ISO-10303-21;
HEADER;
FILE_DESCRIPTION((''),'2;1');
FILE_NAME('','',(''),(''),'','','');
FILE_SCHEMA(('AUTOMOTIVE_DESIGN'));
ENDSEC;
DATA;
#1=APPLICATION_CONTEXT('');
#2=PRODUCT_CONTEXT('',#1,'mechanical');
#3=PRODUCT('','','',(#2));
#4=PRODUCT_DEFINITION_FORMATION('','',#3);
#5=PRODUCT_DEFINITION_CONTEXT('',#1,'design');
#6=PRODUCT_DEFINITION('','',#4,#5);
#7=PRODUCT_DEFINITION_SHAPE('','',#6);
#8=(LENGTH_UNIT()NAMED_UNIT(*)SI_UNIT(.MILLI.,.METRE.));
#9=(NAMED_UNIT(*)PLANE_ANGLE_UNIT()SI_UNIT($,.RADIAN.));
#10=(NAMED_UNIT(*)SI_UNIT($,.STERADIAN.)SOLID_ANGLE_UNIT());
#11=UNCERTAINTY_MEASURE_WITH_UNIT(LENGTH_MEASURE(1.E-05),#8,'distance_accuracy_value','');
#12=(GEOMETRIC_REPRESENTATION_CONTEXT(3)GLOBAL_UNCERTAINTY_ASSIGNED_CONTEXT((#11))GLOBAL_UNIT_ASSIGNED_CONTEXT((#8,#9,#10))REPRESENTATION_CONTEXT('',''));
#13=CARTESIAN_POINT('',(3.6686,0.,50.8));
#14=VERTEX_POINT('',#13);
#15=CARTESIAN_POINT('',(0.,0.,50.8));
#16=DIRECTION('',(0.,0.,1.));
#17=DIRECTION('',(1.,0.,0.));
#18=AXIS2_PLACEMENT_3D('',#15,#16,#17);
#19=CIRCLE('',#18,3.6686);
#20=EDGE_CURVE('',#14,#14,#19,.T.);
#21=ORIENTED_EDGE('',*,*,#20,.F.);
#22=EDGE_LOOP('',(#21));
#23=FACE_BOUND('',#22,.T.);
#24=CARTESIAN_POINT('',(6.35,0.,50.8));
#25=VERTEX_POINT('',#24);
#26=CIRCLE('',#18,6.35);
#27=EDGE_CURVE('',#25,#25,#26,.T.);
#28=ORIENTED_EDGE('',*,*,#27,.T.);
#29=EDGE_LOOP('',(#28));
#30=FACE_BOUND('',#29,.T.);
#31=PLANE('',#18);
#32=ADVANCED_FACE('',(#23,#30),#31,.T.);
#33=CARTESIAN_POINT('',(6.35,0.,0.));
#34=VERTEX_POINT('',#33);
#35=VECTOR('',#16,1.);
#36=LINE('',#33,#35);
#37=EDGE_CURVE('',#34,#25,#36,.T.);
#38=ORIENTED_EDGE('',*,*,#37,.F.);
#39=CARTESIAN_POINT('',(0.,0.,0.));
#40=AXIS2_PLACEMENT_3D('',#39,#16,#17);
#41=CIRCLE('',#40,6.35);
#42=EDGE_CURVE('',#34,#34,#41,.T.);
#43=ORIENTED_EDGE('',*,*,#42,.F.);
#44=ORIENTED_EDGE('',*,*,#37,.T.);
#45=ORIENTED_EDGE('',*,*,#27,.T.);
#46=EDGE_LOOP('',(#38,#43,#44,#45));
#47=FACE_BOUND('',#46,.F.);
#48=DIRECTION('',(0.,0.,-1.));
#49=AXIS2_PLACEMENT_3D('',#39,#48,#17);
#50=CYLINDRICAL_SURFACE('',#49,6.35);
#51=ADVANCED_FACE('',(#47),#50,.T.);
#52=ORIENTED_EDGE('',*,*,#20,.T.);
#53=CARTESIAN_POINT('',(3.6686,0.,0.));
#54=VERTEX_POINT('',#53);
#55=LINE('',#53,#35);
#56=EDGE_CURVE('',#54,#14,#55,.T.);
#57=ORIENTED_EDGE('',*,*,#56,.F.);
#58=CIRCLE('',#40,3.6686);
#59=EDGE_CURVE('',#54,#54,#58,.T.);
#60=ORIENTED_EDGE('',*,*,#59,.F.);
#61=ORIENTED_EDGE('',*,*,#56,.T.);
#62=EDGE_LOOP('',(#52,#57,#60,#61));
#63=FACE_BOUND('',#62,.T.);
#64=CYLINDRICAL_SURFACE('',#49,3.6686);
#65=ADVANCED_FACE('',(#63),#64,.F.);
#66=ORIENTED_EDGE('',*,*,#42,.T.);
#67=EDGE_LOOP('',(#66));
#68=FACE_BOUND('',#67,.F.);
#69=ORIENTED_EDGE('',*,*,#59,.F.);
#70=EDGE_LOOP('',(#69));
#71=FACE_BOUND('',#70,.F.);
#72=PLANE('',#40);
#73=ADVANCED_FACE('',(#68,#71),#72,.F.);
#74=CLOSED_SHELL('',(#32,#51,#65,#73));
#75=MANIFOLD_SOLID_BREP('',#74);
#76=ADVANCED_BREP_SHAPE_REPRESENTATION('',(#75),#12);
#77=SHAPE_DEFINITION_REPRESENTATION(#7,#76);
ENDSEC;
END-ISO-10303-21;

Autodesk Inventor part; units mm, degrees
ref_plane "YZ Plane" through (0, 0, 0) normal (1, 0, 0) x (0, 1, 0)
ref_plane "XZ Plane" through (0, 0, 0) normal (0, 1, 0) x (-1, 0, 0)
ref_plane "XY Plane" through (0, 0, 0) normal (0, 0, 1) x (1, 0, 0)
sketch "Sketch1" plane through (0, 0, 0) normal (0, 0, 1) x (1, 0, 0)
  circle A0 centre (0, 0) radius 6.35
  circle A1 centre (0, 0) radius 3.6686
  dimension "d0" = 12.7
extrude "Extrusion1" add sketch "Sketch1" along normal blind 50.8
properties part number "pvc holder"
